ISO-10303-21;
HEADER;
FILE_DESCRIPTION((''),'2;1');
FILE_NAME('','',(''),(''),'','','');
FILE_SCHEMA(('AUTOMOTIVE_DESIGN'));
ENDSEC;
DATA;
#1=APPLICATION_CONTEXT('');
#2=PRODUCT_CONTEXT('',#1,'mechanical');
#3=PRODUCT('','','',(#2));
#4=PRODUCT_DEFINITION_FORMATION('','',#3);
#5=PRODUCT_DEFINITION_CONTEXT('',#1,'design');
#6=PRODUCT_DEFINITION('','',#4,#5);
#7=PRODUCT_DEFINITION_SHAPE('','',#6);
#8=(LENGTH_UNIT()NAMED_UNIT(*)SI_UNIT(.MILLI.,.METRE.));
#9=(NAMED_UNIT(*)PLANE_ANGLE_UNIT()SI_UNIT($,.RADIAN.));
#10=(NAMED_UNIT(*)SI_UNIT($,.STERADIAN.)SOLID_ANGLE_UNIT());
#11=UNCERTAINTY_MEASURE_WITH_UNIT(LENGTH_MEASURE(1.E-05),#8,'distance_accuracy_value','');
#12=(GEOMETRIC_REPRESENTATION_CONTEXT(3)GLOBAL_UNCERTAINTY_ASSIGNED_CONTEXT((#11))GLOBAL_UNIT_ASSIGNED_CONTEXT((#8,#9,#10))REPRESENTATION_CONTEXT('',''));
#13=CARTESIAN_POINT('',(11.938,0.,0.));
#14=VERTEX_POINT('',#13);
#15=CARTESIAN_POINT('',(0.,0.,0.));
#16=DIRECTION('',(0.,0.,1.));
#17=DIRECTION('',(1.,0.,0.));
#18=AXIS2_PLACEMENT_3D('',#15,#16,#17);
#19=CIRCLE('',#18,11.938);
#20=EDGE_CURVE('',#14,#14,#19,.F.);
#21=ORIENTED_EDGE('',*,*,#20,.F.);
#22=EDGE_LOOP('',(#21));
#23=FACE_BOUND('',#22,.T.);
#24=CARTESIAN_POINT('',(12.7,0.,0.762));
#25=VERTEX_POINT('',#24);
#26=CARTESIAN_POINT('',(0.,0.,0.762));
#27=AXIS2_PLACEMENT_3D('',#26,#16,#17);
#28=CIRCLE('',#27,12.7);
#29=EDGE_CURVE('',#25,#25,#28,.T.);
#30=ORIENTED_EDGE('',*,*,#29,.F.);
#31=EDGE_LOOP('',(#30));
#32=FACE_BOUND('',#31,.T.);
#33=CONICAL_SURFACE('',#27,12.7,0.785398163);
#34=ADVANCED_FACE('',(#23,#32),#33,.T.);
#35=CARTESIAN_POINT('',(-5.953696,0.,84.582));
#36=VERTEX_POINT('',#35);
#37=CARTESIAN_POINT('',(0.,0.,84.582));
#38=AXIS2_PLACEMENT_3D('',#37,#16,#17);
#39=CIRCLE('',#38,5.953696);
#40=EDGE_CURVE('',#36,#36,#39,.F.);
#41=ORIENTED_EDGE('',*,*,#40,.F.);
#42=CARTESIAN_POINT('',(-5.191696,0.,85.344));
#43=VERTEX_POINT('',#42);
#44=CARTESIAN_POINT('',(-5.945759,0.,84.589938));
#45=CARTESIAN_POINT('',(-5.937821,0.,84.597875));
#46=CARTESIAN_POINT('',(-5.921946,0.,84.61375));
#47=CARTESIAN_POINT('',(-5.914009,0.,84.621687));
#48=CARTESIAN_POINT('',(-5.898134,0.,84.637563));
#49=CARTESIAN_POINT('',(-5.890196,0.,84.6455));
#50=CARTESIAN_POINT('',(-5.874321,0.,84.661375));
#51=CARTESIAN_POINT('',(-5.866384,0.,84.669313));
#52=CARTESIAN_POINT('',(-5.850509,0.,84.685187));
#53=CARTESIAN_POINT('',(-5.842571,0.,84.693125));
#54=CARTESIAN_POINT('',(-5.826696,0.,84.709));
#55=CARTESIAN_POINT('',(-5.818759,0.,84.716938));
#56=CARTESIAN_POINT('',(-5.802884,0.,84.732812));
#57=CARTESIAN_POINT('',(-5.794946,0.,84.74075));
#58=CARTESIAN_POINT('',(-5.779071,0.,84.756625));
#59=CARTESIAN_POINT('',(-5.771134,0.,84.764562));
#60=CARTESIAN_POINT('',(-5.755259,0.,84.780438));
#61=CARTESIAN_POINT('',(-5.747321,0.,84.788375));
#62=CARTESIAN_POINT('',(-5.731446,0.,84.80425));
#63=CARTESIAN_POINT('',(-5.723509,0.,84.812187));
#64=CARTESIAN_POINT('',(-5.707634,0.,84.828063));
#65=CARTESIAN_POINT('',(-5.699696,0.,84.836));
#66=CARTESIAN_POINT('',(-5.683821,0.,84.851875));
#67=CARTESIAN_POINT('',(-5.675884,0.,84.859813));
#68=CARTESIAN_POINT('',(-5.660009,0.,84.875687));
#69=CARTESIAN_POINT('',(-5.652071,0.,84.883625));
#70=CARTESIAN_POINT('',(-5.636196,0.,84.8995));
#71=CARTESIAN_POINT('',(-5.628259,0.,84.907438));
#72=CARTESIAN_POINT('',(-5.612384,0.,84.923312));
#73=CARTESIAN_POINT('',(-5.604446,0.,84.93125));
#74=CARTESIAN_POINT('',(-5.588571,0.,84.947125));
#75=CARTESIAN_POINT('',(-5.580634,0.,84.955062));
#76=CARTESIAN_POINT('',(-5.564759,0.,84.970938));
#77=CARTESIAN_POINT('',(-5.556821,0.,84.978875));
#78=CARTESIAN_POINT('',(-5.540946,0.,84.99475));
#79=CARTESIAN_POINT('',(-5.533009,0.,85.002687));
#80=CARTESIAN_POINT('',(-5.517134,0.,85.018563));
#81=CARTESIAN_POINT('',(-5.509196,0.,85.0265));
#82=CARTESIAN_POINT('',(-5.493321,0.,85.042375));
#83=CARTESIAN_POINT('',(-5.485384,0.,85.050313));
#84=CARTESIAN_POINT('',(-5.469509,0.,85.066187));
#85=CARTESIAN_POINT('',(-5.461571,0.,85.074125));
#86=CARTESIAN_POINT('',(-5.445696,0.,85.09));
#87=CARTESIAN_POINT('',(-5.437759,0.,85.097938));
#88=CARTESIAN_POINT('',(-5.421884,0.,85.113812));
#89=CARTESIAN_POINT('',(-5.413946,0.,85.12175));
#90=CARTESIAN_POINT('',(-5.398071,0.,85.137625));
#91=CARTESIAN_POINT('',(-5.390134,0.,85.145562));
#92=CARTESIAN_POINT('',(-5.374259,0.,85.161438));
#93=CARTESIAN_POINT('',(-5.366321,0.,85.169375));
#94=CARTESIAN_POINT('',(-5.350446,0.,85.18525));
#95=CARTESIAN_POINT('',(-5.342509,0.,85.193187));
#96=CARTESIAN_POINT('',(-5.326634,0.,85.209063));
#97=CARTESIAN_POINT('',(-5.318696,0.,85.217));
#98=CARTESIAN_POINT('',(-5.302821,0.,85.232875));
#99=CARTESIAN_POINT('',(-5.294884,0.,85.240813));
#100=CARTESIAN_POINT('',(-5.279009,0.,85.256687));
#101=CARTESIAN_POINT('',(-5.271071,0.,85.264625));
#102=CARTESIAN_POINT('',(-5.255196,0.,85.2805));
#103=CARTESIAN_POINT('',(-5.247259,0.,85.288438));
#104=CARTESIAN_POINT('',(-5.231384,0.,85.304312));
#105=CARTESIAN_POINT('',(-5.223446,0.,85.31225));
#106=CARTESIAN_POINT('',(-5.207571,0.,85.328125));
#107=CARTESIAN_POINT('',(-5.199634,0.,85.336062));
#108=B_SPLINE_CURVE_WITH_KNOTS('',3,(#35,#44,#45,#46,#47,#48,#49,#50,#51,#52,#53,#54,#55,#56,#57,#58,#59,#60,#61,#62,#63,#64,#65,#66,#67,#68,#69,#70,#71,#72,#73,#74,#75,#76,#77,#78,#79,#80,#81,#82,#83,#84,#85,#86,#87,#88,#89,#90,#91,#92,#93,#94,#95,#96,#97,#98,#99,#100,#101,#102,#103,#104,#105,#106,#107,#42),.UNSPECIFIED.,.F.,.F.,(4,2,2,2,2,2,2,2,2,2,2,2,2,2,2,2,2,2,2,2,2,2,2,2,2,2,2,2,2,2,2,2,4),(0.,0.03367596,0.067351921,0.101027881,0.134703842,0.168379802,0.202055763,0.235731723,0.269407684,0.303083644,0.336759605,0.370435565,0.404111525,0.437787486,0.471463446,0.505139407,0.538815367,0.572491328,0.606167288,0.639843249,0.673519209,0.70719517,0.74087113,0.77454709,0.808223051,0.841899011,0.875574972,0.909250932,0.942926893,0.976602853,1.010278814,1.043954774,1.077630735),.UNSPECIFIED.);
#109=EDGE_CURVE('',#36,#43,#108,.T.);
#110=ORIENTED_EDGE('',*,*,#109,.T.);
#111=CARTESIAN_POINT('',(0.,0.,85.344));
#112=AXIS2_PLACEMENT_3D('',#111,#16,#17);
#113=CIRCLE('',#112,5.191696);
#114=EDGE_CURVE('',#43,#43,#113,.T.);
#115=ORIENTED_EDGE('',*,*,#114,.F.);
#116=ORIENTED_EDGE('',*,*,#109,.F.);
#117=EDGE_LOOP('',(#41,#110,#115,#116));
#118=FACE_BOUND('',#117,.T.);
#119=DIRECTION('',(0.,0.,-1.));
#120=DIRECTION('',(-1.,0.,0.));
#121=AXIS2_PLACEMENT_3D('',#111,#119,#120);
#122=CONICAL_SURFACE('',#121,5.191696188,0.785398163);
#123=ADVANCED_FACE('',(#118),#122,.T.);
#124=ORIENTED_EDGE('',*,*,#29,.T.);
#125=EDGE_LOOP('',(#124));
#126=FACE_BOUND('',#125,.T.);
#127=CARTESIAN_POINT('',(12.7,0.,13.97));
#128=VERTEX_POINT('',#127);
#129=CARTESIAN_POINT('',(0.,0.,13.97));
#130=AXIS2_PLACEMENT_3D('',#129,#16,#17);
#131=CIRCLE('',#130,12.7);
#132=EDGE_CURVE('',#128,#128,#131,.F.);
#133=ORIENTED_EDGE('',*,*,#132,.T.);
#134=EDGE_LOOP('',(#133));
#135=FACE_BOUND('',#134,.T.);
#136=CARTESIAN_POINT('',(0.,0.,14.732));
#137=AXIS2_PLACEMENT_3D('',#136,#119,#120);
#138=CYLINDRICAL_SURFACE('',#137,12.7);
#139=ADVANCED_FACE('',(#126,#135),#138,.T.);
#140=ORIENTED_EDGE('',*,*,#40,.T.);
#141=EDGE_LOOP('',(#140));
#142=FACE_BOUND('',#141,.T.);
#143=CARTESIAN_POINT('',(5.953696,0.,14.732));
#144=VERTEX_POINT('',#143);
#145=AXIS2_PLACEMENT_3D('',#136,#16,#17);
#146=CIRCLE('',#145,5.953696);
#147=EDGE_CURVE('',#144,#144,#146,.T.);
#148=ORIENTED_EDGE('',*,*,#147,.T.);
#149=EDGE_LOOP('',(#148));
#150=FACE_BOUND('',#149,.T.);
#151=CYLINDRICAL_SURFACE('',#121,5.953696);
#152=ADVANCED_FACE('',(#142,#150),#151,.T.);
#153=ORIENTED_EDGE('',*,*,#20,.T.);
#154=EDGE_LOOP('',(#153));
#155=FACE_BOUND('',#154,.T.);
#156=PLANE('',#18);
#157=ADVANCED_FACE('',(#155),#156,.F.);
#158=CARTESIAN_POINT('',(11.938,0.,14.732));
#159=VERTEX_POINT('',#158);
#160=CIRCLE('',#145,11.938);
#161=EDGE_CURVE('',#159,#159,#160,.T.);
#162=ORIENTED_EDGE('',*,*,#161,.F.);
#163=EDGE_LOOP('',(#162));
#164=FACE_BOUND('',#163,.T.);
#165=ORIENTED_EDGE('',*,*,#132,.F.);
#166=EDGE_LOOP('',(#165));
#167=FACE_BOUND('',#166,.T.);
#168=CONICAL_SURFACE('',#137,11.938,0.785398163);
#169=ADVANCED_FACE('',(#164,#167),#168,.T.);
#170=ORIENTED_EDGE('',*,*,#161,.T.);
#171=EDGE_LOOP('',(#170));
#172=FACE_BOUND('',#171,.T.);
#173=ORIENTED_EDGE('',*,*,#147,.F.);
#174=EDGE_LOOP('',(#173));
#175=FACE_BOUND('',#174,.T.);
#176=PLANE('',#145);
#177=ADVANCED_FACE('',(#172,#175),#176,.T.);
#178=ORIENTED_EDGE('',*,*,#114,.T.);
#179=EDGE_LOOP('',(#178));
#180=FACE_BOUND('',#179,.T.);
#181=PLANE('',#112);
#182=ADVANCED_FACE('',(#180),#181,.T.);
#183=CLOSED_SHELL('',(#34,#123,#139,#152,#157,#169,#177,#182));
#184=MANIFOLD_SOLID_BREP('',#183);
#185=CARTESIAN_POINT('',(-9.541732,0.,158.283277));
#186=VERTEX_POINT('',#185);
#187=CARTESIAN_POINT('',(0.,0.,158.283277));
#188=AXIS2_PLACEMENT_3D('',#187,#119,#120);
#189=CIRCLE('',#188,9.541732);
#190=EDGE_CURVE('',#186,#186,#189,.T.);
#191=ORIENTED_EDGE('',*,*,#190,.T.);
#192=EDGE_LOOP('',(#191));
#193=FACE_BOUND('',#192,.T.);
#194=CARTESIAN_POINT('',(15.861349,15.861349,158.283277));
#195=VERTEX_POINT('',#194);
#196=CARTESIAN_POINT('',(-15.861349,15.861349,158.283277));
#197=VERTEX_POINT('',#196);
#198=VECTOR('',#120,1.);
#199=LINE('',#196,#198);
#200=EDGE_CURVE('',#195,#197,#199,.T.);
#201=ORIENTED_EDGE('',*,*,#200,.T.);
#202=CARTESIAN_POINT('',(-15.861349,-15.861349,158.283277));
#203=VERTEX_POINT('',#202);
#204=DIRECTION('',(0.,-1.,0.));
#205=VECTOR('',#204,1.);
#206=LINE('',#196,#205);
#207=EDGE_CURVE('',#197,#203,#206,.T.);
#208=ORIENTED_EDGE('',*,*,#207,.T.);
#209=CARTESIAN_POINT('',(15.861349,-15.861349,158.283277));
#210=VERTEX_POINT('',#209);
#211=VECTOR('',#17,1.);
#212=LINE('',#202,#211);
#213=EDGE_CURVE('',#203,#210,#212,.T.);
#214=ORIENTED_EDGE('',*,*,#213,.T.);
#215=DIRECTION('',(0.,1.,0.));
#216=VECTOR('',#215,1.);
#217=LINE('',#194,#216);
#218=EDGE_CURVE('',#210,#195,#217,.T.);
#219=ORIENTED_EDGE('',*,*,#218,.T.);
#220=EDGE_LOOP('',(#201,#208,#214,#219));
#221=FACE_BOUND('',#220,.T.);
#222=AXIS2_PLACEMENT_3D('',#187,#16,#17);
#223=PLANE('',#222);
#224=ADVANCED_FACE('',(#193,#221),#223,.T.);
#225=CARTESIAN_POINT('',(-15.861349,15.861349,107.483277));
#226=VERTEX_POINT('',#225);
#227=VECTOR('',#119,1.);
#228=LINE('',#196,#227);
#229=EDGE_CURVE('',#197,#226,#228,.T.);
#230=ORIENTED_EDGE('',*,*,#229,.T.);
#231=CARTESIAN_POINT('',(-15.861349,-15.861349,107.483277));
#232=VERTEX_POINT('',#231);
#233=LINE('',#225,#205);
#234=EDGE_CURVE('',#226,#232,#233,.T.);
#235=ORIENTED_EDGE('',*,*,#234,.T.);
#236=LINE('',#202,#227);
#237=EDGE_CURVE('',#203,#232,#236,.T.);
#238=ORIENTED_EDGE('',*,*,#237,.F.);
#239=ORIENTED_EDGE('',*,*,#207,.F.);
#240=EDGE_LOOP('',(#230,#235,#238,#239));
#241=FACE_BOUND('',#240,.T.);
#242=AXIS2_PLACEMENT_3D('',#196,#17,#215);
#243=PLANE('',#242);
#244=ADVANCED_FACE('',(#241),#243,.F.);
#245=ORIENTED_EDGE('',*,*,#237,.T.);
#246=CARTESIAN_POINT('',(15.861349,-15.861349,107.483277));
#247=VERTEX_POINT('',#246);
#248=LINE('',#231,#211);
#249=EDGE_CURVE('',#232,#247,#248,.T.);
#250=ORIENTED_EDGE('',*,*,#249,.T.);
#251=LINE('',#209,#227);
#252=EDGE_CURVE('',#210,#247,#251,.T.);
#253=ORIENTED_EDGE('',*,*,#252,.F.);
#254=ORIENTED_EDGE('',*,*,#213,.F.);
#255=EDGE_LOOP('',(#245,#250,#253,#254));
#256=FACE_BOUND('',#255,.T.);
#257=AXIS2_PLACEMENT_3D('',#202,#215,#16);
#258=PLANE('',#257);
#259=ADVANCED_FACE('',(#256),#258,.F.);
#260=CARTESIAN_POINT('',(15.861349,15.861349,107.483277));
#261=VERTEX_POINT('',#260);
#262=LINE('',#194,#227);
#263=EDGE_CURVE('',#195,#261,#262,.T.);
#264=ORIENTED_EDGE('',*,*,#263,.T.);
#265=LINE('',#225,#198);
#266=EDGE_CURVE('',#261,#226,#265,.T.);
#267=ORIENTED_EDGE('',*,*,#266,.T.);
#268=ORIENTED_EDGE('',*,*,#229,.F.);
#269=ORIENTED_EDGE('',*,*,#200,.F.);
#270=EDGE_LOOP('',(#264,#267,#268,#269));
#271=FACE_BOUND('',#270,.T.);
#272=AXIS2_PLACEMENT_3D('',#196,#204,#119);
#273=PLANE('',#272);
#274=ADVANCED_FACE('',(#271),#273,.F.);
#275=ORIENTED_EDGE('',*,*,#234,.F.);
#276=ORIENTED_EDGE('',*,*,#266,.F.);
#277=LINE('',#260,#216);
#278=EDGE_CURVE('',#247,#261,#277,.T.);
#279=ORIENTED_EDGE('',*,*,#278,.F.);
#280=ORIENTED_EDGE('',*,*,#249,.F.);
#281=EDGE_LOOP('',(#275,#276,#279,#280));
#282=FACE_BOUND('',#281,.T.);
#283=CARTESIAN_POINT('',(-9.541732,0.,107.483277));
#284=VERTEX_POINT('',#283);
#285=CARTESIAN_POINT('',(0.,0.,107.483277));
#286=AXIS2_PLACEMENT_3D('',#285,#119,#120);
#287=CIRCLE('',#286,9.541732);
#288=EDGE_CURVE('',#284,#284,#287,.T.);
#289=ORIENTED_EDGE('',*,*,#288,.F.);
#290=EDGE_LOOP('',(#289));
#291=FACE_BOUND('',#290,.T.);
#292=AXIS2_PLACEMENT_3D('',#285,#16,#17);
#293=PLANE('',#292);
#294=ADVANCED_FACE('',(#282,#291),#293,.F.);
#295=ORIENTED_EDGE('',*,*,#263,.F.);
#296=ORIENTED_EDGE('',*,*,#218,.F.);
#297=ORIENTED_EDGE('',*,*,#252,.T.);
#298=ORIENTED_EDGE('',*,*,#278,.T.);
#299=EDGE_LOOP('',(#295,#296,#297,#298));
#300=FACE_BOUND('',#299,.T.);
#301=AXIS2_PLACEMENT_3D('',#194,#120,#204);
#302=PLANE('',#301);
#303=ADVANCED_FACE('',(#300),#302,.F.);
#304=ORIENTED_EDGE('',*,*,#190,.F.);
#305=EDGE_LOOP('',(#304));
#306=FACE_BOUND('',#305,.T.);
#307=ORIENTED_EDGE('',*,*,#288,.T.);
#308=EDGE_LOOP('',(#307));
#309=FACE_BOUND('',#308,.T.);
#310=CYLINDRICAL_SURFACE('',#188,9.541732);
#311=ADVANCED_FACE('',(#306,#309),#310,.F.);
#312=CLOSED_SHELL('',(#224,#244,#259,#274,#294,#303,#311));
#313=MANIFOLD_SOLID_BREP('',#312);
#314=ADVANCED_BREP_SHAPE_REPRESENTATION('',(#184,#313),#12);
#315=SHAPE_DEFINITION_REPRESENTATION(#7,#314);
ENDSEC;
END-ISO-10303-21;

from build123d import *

# Parameters (mm, degrees)
SKETCH1_R           = 12.7
BOSS_EXTRUDE1_DEPTH = 14.732
SKETCH2_R           = 5.953696188
BOSS_EXTRUDE2_DEPTH = 70.612
SKETCH3_W           = 31.722698392
SKETCH3_H           = 31.722698392
BOSS_EXTRUDE3_DEPTH = 50.8
SKETCH4_R           = 9.541732236
CUT_EXTRUDE1_DEPTH  = 110.798996017
CHAMFER1_SIZE       = 0.762


with BuildPart() as part:
    # Sketch1 → Boss-Extrude1 (new body)
    with BuildSketch(Plane.XY):
        Circle(SKETCH1_R)
    extrude(amount=BOSS_EXTRUDE1_DEPTH)

    # Sketch2 → Boss-Extrude2 (add)
    with BuildSketch(Plane.XY.offset(14.732)):
        Circle(SKETCH2_R)
    extrude(amount=BOSS_EXTRUDE2_DEPTH)

    # Chamfer1
    chamfer1_edges = [part.edges().sort_by_distance(p)[0] for p in [
        (-12.7, 0, 0),
        (-12.7, 0, 14.732),
        (-5.953696188, 0, 85.344),
    ]]
    chamfer(chamfer1_edges, length=CHAMFER1_SIZE)


with BuildPart() as body_2:
    # Sketch3 → Boss-Extrude3 (new body)
    with BuildSketch(Plane.XY.offset(107.483276511)):
        Rectangle(SKETCH3_W, SKETCH3_H)
    extrude(amount=BOSS_EXTRUDE3_DEPTH)

    # Sketch4 → Cut-Extrude1 (cut, through all)
    with BuildSketch(Plane(origin=(0, 0, 107.483276511), x_dir=(-1, 0, 0), z_dir=(0, 0, -1))):
        Circle(SKETCH4_R)
    extrude(amount=-CUT_EXTRUDE1_DEPTH, mode=Mode.SUBTRACT)


solid = Compound([part.part, body_2.part])
